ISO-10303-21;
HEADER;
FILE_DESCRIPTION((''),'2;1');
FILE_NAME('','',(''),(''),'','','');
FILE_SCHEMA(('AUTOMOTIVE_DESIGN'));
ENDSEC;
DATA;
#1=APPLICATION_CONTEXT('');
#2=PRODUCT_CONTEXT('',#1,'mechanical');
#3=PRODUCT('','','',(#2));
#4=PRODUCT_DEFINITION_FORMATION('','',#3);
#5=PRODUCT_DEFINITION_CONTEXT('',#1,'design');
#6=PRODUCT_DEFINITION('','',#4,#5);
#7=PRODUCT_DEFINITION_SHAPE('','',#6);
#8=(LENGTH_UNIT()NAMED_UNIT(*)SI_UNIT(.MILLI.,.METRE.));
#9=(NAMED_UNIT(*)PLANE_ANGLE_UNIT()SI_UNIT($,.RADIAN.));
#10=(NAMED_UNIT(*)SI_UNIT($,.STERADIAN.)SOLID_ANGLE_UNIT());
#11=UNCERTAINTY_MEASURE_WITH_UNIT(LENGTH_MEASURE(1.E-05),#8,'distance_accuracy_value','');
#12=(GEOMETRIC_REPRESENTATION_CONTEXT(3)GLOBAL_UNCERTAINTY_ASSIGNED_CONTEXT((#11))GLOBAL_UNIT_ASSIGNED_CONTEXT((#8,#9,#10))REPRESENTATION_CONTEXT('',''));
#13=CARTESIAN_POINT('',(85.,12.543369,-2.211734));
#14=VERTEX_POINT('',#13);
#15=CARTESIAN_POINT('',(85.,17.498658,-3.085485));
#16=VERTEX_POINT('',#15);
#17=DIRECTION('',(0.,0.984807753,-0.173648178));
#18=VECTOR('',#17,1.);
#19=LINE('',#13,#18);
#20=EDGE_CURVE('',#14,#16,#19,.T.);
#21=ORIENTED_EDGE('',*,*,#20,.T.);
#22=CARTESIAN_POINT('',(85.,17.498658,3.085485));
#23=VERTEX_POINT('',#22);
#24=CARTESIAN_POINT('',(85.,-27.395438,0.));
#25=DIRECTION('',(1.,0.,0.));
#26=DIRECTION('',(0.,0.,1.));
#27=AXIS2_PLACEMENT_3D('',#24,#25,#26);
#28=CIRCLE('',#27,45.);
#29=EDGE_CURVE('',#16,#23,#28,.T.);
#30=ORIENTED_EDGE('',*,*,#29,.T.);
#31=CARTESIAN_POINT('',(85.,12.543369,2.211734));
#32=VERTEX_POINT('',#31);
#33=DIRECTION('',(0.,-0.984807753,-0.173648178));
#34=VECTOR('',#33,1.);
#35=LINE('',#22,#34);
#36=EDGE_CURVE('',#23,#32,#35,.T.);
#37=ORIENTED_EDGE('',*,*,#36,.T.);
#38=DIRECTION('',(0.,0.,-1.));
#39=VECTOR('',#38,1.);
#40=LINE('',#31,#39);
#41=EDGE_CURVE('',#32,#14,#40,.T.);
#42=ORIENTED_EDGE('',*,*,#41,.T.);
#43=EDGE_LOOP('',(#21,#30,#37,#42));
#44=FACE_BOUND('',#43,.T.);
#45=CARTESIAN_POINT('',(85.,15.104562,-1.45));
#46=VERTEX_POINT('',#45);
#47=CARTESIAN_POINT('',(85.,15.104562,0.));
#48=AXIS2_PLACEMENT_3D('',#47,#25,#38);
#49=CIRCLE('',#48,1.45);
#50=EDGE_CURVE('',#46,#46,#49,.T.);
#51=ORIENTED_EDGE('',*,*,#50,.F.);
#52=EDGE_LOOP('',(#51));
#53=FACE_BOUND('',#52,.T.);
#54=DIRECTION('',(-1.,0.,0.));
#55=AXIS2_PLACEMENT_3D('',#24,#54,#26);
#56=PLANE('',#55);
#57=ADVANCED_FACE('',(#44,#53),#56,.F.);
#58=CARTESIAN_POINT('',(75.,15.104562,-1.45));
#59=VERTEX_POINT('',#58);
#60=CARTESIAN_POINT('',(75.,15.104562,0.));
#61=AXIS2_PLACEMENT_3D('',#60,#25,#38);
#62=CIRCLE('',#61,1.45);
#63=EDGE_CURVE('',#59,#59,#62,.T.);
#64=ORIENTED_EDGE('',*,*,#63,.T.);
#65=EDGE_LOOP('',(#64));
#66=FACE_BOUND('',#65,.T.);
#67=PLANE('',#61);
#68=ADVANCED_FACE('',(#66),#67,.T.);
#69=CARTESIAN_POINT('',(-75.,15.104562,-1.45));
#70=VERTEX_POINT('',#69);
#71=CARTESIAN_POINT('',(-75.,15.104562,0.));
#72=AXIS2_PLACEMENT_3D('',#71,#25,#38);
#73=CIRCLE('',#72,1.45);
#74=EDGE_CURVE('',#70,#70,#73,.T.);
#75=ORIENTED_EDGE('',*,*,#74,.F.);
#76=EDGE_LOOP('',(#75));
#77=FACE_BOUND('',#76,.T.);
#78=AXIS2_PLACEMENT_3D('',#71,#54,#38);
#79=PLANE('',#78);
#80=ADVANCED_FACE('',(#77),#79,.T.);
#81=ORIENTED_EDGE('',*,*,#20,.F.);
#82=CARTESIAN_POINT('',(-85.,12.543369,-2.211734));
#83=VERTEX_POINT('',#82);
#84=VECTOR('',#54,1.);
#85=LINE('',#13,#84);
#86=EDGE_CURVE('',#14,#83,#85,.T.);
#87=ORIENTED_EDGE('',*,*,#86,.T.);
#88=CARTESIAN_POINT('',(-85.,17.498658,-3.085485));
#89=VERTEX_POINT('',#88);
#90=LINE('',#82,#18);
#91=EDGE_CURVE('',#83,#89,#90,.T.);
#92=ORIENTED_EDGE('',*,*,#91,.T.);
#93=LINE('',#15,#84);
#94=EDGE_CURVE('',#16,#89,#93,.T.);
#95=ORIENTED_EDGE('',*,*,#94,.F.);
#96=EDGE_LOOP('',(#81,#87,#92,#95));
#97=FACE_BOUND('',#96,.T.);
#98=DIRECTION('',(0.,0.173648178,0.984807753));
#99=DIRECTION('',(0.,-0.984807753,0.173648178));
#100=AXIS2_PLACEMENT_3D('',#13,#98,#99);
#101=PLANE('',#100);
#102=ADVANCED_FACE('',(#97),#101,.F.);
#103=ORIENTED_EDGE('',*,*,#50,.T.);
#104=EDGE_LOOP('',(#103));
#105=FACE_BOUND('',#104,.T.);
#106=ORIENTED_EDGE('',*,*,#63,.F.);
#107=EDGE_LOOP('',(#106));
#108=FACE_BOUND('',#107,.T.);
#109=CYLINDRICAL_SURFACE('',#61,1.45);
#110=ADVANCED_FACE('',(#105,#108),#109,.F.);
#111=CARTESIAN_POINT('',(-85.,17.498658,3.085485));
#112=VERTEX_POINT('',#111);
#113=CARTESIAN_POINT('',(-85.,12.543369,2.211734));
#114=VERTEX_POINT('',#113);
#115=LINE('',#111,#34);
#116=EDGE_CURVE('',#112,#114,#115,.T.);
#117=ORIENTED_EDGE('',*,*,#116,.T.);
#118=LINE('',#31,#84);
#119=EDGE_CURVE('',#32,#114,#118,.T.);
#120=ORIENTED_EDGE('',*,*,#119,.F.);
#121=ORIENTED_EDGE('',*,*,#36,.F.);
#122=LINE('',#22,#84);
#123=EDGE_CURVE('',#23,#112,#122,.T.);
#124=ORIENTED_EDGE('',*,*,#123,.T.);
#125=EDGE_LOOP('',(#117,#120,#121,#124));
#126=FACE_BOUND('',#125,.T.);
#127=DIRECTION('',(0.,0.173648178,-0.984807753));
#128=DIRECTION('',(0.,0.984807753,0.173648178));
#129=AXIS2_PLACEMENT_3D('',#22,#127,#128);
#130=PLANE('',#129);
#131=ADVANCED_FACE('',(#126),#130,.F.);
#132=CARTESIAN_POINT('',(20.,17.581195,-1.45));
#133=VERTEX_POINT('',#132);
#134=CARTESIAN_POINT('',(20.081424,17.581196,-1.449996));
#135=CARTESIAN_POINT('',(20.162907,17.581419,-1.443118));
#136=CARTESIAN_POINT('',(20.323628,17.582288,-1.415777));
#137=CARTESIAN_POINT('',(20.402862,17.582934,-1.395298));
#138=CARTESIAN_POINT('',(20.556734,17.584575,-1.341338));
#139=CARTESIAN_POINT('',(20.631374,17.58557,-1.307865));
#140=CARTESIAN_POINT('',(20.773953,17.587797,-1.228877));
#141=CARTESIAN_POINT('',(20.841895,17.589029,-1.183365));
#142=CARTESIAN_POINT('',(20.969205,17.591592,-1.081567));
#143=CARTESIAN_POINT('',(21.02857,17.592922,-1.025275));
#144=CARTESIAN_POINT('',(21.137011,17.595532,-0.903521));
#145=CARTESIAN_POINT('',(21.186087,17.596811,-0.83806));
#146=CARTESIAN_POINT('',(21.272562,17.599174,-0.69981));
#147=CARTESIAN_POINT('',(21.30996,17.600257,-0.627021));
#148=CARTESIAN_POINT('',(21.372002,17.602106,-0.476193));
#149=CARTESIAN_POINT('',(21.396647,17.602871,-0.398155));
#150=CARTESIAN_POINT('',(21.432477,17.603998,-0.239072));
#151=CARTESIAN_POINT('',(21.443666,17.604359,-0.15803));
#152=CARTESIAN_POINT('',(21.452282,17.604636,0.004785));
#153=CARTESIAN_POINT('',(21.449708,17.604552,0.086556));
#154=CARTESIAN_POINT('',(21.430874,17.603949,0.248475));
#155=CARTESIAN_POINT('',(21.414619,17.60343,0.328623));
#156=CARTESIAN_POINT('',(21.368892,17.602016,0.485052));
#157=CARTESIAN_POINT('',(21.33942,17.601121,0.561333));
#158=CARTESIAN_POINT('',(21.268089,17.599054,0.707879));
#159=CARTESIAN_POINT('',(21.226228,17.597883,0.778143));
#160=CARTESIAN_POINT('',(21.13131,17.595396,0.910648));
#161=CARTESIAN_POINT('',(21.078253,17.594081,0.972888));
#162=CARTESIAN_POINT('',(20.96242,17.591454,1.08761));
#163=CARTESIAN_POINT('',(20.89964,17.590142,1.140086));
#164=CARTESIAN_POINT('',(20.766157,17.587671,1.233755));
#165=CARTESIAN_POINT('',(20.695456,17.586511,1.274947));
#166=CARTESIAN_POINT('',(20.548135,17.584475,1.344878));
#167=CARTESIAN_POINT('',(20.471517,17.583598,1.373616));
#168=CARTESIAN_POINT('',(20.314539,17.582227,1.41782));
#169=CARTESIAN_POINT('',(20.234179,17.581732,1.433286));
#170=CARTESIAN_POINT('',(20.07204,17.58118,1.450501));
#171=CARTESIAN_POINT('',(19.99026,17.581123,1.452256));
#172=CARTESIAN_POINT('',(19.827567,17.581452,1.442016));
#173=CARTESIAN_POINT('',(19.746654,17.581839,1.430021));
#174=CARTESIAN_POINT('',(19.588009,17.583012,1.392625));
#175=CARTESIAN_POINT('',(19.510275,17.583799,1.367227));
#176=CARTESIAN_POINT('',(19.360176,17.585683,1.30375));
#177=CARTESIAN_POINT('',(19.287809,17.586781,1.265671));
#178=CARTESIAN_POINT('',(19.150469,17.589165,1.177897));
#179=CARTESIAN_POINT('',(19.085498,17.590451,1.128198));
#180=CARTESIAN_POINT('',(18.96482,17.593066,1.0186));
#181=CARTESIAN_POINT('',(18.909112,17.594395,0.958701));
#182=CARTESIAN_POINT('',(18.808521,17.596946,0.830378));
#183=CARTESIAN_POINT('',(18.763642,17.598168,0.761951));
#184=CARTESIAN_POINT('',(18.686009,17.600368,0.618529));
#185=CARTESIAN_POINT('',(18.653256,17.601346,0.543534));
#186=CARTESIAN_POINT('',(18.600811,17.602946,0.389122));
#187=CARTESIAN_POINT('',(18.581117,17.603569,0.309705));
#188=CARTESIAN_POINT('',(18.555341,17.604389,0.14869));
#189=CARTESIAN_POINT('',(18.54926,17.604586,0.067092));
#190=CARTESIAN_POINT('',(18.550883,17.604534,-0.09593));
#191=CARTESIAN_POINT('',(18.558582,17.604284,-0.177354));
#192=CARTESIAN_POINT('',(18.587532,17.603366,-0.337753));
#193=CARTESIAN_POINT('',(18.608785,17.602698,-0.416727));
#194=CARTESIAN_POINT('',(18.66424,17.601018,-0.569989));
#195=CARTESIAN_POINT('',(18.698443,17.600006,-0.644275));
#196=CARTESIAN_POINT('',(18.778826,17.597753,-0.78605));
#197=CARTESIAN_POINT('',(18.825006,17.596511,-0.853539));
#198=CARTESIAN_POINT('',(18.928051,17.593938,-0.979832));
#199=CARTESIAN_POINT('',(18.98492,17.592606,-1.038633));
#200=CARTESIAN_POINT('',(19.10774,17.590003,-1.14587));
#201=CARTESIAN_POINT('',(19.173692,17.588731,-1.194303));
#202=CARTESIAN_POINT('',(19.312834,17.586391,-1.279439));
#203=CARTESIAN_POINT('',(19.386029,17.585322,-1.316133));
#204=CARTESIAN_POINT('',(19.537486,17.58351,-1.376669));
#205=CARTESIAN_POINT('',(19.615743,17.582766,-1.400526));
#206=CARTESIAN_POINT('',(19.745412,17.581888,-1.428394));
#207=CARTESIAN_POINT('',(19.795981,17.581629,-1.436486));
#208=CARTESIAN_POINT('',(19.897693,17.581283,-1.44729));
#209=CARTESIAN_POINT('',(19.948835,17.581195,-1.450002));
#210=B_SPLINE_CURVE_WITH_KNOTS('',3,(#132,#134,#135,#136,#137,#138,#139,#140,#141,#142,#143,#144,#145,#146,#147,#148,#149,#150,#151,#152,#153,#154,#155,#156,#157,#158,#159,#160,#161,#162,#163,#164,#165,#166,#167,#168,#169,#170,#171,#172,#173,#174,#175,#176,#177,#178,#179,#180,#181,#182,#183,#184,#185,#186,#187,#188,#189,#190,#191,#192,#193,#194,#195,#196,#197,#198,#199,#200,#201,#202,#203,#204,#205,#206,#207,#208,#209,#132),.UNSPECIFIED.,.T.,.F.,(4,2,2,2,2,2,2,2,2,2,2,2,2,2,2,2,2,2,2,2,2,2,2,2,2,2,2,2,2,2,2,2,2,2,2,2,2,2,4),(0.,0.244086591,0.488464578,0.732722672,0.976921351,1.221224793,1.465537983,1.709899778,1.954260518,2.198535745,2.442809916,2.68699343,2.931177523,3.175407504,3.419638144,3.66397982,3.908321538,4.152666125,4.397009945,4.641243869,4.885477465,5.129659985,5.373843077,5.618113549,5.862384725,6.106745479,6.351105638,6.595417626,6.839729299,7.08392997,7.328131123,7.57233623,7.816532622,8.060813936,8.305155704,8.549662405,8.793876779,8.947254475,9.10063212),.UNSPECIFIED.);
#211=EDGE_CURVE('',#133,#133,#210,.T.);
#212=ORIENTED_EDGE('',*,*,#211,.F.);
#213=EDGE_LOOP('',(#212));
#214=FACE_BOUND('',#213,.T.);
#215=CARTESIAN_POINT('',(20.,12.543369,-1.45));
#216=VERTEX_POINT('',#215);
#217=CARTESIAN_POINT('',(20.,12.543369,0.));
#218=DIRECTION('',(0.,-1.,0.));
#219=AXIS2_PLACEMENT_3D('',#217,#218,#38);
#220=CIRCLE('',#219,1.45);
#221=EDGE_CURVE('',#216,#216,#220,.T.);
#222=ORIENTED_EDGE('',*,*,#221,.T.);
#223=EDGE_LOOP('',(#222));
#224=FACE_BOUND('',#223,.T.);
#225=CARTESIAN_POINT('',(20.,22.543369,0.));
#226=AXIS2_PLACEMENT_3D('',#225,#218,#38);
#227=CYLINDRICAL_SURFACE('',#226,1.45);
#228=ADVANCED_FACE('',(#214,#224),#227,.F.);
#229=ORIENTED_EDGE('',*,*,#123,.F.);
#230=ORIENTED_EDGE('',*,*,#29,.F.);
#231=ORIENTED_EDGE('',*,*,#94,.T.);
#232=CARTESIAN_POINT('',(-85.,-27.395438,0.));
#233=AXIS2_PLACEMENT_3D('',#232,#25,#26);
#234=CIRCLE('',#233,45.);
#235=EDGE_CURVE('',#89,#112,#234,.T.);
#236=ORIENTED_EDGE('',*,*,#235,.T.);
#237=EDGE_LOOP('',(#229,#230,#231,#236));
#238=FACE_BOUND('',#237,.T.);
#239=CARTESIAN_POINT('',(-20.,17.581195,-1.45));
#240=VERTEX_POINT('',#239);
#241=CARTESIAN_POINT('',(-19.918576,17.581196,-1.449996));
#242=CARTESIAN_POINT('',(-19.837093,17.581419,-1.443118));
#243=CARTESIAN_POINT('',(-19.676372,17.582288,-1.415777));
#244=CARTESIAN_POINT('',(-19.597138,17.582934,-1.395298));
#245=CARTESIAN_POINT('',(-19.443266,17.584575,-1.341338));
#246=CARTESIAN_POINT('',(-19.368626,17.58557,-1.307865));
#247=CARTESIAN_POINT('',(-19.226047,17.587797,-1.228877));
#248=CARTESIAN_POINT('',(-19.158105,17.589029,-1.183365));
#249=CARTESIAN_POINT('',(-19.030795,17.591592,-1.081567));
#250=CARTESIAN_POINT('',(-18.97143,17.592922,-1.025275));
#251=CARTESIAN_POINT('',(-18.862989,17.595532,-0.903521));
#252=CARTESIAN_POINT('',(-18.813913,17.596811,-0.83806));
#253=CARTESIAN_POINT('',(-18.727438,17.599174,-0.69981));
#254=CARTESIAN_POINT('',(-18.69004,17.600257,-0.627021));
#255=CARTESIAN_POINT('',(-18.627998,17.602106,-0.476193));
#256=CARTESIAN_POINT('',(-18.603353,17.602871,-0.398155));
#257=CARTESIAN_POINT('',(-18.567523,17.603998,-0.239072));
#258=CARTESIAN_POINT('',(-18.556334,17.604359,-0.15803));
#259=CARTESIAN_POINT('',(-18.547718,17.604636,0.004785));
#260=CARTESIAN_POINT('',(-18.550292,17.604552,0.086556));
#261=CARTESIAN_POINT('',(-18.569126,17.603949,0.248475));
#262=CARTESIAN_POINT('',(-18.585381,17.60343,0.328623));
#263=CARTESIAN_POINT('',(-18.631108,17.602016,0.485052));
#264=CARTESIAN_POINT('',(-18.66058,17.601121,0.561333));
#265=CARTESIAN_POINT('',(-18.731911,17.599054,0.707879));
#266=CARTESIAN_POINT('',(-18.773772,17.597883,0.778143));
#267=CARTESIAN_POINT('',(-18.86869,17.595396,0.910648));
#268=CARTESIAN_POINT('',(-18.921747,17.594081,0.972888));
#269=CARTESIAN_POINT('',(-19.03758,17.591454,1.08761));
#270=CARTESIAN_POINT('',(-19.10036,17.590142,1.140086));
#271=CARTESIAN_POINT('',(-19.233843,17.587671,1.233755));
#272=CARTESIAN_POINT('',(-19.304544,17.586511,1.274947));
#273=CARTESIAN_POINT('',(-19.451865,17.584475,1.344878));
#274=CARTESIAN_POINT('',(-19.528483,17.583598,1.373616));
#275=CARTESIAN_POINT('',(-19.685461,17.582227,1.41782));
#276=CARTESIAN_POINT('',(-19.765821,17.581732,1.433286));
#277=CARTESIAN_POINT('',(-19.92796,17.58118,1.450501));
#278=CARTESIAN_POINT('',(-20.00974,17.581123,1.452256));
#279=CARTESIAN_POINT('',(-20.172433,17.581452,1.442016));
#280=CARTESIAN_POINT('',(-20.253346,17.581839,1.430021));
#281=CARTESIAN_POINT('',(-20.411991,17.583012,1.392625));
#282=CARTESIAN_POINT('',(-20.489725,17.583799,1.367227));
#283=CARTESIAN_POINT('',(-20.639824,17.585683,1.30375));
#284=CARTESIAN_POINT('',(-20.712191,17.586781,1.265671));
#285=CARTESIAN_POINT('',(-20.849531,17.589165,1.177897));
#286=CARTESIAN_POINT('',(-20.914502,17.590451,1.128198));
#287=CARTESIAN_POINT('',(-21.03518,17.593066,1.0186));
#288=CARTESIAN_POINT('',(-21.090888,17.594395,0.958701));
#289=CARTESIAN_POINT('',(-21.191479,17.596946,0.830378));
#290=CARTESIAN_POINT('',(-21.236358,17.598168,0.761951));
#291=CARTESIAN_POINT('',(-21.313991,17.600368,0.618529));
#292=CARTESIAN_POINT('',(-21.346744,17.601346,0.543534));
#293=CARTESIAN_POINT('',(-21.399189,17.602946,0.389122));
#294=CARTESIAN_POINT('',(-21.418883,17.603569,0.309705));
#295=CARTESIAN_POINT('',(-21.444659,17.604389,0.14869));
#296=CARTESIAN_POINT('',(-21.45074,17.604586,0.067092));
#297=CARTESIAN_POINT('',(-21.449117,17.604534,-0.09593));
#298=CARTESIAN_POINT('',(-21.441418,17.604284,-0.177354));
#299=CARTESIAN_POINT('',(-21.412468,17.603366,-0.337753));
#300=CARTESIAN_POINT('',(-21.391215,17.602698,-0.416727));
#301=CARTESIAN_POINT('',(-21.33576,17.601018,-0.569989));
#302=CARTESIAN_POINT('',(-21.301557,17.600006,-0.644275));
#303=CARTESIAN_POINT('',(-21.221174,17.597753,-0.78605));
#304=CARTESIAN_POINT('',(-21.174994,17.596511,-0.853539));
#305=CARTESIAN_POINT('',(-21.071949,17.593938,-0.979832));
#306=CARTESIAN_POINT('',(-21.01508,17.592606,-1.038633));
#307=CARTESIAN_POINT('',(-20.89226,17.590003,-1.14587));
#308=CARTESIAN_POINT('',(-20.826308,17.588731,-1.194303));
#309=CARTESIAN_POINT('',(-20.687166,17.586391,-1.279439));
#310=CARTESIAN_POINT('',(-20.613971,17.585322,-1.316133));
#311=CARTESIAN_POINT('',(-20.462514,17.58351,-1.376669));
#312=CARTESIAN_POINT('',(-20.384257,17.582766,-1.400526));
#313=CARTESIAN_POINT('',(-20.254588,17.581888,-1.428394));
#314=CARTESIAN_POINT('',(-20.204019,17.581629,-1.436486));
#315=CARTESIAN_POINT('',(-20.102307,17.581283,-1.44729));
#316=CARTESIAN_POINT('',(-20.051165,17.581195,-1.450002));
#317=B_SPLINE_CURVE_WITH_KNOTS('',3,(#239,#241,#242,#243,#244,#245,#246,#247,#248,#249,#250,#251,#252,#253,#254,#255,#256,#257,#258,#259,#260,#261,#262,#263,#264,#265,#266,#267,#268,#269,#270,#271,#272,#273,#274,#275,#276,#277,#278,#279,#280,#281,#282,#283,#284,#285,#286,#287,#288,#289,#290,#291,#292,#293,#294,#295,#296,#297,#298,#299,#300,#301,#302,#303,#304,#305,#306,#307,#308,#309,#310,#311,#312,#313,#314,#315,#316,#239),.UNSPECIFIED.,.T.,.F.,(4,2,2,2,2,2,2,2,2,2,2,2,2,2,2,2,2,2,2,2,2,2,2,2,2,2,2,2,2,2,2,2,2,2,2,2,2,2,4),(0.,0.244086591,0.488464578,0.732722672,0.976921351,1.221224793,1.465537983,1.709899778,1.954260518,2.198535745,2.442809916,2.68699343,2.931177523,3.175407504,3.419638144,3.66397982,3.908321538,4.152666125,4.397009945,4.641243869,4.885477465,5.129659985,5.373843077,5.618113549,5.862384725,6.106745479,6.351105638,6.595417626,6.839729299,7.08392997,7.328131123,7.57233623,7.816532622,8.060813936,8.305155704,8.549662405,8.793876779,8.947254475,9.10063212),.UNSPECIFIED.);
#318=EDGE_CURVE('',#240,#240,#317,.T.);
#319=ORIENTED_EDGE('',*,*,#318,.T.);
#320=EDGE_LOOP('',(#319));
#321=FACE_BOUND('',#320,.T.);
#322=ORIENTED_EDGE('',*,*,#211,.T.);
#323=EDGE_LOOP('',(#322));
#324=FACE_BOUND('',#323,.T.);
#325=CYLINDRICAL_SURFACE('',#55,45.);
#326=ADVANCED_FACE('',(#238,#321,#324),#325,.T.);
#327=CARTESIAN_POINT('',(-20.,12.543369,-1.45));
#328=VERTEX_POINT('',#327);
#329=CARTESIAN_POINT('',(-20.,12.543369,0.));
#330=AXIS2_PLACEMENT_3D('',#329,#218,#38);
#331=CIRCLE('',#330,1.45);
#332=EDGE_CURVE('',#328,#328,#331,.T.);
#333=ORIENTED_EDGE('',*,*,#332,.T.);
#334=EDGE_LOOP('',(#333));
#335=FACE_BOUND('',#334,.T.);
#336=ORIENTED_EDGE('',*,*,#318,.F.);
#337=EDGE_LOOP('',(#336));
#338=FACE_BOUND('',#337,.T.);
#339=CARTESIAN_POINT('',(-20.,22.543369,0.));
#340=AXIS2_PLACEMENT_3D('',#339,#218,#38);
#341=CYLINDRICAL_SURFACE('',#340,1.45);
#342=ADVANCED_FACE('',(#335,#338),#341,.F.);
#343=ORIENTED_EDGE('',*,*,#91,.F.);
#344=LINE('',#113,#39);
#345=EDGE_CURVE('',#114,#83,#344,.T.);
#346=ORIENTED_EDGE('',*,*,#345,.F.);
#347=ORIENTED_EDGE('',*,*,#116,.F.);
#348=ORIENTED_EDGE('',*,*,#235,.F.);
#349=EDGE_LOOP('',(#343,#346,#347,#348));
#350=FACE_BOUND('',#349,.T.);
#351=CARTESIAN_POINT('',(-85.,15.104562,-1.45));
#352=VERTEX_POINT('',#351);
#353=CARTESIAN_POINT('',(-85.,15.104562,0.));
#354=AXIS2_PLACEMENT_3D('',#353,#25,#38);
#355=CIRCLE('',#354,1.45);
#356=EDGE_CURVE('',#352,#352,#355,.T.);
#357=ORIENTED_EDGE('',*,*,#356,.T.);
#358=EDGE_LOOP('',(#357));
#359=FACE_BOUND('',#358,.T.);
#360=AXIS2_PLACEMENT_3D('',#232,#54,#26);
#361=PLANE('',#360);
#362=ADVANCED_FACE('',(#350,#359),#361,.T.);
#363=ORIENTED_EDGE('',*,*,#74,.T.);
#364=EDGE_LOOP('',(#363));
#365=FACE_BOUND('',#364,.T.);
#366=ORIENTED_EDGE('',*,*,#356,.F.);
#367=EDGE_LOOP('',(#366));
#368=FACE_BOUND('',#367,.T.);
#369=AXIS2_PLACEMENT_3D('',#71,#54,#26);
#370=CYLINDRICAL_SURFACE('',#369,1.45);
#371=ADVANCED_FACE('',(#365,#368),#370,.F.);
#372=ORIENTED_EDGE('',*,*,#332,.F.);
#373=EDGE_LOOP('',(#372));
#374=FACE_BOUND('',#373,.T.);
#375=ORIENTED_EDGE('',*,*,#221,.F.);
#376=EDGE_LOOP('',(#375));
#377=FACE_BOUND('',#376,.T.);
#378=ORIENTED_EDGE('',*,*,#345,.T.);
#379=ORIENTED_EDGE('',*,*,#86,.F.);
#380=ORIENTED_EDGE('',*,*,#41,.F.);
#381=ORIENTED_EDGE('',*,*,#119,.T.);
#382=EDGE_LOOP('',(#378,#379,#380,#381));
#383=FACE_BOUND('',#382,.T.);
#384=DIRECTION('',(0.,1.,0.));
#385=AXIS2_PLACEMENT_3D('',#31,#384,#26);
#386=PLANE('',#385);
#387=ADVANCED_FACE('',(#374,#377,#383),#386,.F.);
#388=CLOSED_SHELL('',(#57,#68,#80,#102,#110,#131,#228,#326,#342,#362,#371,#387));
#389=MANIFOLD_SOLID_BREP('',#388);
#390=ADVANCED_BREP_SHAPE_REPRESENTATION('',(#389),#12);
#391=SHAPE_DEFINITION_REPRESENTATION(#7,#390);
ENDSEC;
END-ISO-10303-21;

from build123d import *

# Parameters (mm, degrees)
EXTRUDE_1_DEPTH     = 85
SKETCH_2_R          = 1.45
CUT_EXTRUDE_1_DEPTH = 10
SKETCH_3_R          = 1.45
CUT_EXTRUDE_2_DEPTH = 10


with BuildPart() as part:
    # Эскиз1 → Бобышка-Вытянуть1 (new, symmetric)
    with BuildSketch(Plane(origin=(0, 0, 0), x_dir=(0, 0, -1), z_dir=(1, 0, 0))):
        with BuildLine():
            Line((-3.085485457, 17.498657575), (-2.211734297, 12.543368507))
            Line((-2.211734297, 12.543368507), (2.211734297, 12.543368507))
            Line((2.211734297, 12.543368507), (3.085485457, 17.498657575))
            ThreePointArc((3.085485457, 17.498657575), (0, 17.604562424), (-3.085485457, 17.498657575))
        make_face()
    extrude(amount=EXTRUDE_1_DEPTH, both=True)

    # Эскиз2 → Вырез-Вытянуть1 (cut)
    with BuildSketch(Plane(origin=(85, 0, 0), x_dir=(0, 0, -1), z_dir=(1, 0, 0))):
        with Locations((0, 15.104562424)):
            Circle(SKETCH_2_R)
    cut_extrude_1 = extrude(amount=-CUT_EXTRUDE_1_DEPTH, mode=Mode.SUBTRACT)

    # Зеркальное отражение1: Вырез-Вытянуть1 across plane
    add(cut_extrude_1.mirror(Plane(origin=(0, 0, 0), x_dir=(0, 0, 1), z_dir=(1, 0, 0))), mode=Mode.SUBTRACT)

    # Эскиз3 → Вырез-Вытянуть2 (cut)
    with BuildSketch(Plane.XZ.offset(-12.543368507)):
        with Locations(Location((-20, 0, 0), (0, 0, 270))):
            Circle(SKETCH_3_R)
        with Locations(Location((20, 0, 0), (0, 0, 270))):
            Circle(SKETCH_3_R)
    extrude(amount=-CUT_EXTRUDE_2_DEPTH, mode=Mode.SUBTRACT)


solid = part.part
